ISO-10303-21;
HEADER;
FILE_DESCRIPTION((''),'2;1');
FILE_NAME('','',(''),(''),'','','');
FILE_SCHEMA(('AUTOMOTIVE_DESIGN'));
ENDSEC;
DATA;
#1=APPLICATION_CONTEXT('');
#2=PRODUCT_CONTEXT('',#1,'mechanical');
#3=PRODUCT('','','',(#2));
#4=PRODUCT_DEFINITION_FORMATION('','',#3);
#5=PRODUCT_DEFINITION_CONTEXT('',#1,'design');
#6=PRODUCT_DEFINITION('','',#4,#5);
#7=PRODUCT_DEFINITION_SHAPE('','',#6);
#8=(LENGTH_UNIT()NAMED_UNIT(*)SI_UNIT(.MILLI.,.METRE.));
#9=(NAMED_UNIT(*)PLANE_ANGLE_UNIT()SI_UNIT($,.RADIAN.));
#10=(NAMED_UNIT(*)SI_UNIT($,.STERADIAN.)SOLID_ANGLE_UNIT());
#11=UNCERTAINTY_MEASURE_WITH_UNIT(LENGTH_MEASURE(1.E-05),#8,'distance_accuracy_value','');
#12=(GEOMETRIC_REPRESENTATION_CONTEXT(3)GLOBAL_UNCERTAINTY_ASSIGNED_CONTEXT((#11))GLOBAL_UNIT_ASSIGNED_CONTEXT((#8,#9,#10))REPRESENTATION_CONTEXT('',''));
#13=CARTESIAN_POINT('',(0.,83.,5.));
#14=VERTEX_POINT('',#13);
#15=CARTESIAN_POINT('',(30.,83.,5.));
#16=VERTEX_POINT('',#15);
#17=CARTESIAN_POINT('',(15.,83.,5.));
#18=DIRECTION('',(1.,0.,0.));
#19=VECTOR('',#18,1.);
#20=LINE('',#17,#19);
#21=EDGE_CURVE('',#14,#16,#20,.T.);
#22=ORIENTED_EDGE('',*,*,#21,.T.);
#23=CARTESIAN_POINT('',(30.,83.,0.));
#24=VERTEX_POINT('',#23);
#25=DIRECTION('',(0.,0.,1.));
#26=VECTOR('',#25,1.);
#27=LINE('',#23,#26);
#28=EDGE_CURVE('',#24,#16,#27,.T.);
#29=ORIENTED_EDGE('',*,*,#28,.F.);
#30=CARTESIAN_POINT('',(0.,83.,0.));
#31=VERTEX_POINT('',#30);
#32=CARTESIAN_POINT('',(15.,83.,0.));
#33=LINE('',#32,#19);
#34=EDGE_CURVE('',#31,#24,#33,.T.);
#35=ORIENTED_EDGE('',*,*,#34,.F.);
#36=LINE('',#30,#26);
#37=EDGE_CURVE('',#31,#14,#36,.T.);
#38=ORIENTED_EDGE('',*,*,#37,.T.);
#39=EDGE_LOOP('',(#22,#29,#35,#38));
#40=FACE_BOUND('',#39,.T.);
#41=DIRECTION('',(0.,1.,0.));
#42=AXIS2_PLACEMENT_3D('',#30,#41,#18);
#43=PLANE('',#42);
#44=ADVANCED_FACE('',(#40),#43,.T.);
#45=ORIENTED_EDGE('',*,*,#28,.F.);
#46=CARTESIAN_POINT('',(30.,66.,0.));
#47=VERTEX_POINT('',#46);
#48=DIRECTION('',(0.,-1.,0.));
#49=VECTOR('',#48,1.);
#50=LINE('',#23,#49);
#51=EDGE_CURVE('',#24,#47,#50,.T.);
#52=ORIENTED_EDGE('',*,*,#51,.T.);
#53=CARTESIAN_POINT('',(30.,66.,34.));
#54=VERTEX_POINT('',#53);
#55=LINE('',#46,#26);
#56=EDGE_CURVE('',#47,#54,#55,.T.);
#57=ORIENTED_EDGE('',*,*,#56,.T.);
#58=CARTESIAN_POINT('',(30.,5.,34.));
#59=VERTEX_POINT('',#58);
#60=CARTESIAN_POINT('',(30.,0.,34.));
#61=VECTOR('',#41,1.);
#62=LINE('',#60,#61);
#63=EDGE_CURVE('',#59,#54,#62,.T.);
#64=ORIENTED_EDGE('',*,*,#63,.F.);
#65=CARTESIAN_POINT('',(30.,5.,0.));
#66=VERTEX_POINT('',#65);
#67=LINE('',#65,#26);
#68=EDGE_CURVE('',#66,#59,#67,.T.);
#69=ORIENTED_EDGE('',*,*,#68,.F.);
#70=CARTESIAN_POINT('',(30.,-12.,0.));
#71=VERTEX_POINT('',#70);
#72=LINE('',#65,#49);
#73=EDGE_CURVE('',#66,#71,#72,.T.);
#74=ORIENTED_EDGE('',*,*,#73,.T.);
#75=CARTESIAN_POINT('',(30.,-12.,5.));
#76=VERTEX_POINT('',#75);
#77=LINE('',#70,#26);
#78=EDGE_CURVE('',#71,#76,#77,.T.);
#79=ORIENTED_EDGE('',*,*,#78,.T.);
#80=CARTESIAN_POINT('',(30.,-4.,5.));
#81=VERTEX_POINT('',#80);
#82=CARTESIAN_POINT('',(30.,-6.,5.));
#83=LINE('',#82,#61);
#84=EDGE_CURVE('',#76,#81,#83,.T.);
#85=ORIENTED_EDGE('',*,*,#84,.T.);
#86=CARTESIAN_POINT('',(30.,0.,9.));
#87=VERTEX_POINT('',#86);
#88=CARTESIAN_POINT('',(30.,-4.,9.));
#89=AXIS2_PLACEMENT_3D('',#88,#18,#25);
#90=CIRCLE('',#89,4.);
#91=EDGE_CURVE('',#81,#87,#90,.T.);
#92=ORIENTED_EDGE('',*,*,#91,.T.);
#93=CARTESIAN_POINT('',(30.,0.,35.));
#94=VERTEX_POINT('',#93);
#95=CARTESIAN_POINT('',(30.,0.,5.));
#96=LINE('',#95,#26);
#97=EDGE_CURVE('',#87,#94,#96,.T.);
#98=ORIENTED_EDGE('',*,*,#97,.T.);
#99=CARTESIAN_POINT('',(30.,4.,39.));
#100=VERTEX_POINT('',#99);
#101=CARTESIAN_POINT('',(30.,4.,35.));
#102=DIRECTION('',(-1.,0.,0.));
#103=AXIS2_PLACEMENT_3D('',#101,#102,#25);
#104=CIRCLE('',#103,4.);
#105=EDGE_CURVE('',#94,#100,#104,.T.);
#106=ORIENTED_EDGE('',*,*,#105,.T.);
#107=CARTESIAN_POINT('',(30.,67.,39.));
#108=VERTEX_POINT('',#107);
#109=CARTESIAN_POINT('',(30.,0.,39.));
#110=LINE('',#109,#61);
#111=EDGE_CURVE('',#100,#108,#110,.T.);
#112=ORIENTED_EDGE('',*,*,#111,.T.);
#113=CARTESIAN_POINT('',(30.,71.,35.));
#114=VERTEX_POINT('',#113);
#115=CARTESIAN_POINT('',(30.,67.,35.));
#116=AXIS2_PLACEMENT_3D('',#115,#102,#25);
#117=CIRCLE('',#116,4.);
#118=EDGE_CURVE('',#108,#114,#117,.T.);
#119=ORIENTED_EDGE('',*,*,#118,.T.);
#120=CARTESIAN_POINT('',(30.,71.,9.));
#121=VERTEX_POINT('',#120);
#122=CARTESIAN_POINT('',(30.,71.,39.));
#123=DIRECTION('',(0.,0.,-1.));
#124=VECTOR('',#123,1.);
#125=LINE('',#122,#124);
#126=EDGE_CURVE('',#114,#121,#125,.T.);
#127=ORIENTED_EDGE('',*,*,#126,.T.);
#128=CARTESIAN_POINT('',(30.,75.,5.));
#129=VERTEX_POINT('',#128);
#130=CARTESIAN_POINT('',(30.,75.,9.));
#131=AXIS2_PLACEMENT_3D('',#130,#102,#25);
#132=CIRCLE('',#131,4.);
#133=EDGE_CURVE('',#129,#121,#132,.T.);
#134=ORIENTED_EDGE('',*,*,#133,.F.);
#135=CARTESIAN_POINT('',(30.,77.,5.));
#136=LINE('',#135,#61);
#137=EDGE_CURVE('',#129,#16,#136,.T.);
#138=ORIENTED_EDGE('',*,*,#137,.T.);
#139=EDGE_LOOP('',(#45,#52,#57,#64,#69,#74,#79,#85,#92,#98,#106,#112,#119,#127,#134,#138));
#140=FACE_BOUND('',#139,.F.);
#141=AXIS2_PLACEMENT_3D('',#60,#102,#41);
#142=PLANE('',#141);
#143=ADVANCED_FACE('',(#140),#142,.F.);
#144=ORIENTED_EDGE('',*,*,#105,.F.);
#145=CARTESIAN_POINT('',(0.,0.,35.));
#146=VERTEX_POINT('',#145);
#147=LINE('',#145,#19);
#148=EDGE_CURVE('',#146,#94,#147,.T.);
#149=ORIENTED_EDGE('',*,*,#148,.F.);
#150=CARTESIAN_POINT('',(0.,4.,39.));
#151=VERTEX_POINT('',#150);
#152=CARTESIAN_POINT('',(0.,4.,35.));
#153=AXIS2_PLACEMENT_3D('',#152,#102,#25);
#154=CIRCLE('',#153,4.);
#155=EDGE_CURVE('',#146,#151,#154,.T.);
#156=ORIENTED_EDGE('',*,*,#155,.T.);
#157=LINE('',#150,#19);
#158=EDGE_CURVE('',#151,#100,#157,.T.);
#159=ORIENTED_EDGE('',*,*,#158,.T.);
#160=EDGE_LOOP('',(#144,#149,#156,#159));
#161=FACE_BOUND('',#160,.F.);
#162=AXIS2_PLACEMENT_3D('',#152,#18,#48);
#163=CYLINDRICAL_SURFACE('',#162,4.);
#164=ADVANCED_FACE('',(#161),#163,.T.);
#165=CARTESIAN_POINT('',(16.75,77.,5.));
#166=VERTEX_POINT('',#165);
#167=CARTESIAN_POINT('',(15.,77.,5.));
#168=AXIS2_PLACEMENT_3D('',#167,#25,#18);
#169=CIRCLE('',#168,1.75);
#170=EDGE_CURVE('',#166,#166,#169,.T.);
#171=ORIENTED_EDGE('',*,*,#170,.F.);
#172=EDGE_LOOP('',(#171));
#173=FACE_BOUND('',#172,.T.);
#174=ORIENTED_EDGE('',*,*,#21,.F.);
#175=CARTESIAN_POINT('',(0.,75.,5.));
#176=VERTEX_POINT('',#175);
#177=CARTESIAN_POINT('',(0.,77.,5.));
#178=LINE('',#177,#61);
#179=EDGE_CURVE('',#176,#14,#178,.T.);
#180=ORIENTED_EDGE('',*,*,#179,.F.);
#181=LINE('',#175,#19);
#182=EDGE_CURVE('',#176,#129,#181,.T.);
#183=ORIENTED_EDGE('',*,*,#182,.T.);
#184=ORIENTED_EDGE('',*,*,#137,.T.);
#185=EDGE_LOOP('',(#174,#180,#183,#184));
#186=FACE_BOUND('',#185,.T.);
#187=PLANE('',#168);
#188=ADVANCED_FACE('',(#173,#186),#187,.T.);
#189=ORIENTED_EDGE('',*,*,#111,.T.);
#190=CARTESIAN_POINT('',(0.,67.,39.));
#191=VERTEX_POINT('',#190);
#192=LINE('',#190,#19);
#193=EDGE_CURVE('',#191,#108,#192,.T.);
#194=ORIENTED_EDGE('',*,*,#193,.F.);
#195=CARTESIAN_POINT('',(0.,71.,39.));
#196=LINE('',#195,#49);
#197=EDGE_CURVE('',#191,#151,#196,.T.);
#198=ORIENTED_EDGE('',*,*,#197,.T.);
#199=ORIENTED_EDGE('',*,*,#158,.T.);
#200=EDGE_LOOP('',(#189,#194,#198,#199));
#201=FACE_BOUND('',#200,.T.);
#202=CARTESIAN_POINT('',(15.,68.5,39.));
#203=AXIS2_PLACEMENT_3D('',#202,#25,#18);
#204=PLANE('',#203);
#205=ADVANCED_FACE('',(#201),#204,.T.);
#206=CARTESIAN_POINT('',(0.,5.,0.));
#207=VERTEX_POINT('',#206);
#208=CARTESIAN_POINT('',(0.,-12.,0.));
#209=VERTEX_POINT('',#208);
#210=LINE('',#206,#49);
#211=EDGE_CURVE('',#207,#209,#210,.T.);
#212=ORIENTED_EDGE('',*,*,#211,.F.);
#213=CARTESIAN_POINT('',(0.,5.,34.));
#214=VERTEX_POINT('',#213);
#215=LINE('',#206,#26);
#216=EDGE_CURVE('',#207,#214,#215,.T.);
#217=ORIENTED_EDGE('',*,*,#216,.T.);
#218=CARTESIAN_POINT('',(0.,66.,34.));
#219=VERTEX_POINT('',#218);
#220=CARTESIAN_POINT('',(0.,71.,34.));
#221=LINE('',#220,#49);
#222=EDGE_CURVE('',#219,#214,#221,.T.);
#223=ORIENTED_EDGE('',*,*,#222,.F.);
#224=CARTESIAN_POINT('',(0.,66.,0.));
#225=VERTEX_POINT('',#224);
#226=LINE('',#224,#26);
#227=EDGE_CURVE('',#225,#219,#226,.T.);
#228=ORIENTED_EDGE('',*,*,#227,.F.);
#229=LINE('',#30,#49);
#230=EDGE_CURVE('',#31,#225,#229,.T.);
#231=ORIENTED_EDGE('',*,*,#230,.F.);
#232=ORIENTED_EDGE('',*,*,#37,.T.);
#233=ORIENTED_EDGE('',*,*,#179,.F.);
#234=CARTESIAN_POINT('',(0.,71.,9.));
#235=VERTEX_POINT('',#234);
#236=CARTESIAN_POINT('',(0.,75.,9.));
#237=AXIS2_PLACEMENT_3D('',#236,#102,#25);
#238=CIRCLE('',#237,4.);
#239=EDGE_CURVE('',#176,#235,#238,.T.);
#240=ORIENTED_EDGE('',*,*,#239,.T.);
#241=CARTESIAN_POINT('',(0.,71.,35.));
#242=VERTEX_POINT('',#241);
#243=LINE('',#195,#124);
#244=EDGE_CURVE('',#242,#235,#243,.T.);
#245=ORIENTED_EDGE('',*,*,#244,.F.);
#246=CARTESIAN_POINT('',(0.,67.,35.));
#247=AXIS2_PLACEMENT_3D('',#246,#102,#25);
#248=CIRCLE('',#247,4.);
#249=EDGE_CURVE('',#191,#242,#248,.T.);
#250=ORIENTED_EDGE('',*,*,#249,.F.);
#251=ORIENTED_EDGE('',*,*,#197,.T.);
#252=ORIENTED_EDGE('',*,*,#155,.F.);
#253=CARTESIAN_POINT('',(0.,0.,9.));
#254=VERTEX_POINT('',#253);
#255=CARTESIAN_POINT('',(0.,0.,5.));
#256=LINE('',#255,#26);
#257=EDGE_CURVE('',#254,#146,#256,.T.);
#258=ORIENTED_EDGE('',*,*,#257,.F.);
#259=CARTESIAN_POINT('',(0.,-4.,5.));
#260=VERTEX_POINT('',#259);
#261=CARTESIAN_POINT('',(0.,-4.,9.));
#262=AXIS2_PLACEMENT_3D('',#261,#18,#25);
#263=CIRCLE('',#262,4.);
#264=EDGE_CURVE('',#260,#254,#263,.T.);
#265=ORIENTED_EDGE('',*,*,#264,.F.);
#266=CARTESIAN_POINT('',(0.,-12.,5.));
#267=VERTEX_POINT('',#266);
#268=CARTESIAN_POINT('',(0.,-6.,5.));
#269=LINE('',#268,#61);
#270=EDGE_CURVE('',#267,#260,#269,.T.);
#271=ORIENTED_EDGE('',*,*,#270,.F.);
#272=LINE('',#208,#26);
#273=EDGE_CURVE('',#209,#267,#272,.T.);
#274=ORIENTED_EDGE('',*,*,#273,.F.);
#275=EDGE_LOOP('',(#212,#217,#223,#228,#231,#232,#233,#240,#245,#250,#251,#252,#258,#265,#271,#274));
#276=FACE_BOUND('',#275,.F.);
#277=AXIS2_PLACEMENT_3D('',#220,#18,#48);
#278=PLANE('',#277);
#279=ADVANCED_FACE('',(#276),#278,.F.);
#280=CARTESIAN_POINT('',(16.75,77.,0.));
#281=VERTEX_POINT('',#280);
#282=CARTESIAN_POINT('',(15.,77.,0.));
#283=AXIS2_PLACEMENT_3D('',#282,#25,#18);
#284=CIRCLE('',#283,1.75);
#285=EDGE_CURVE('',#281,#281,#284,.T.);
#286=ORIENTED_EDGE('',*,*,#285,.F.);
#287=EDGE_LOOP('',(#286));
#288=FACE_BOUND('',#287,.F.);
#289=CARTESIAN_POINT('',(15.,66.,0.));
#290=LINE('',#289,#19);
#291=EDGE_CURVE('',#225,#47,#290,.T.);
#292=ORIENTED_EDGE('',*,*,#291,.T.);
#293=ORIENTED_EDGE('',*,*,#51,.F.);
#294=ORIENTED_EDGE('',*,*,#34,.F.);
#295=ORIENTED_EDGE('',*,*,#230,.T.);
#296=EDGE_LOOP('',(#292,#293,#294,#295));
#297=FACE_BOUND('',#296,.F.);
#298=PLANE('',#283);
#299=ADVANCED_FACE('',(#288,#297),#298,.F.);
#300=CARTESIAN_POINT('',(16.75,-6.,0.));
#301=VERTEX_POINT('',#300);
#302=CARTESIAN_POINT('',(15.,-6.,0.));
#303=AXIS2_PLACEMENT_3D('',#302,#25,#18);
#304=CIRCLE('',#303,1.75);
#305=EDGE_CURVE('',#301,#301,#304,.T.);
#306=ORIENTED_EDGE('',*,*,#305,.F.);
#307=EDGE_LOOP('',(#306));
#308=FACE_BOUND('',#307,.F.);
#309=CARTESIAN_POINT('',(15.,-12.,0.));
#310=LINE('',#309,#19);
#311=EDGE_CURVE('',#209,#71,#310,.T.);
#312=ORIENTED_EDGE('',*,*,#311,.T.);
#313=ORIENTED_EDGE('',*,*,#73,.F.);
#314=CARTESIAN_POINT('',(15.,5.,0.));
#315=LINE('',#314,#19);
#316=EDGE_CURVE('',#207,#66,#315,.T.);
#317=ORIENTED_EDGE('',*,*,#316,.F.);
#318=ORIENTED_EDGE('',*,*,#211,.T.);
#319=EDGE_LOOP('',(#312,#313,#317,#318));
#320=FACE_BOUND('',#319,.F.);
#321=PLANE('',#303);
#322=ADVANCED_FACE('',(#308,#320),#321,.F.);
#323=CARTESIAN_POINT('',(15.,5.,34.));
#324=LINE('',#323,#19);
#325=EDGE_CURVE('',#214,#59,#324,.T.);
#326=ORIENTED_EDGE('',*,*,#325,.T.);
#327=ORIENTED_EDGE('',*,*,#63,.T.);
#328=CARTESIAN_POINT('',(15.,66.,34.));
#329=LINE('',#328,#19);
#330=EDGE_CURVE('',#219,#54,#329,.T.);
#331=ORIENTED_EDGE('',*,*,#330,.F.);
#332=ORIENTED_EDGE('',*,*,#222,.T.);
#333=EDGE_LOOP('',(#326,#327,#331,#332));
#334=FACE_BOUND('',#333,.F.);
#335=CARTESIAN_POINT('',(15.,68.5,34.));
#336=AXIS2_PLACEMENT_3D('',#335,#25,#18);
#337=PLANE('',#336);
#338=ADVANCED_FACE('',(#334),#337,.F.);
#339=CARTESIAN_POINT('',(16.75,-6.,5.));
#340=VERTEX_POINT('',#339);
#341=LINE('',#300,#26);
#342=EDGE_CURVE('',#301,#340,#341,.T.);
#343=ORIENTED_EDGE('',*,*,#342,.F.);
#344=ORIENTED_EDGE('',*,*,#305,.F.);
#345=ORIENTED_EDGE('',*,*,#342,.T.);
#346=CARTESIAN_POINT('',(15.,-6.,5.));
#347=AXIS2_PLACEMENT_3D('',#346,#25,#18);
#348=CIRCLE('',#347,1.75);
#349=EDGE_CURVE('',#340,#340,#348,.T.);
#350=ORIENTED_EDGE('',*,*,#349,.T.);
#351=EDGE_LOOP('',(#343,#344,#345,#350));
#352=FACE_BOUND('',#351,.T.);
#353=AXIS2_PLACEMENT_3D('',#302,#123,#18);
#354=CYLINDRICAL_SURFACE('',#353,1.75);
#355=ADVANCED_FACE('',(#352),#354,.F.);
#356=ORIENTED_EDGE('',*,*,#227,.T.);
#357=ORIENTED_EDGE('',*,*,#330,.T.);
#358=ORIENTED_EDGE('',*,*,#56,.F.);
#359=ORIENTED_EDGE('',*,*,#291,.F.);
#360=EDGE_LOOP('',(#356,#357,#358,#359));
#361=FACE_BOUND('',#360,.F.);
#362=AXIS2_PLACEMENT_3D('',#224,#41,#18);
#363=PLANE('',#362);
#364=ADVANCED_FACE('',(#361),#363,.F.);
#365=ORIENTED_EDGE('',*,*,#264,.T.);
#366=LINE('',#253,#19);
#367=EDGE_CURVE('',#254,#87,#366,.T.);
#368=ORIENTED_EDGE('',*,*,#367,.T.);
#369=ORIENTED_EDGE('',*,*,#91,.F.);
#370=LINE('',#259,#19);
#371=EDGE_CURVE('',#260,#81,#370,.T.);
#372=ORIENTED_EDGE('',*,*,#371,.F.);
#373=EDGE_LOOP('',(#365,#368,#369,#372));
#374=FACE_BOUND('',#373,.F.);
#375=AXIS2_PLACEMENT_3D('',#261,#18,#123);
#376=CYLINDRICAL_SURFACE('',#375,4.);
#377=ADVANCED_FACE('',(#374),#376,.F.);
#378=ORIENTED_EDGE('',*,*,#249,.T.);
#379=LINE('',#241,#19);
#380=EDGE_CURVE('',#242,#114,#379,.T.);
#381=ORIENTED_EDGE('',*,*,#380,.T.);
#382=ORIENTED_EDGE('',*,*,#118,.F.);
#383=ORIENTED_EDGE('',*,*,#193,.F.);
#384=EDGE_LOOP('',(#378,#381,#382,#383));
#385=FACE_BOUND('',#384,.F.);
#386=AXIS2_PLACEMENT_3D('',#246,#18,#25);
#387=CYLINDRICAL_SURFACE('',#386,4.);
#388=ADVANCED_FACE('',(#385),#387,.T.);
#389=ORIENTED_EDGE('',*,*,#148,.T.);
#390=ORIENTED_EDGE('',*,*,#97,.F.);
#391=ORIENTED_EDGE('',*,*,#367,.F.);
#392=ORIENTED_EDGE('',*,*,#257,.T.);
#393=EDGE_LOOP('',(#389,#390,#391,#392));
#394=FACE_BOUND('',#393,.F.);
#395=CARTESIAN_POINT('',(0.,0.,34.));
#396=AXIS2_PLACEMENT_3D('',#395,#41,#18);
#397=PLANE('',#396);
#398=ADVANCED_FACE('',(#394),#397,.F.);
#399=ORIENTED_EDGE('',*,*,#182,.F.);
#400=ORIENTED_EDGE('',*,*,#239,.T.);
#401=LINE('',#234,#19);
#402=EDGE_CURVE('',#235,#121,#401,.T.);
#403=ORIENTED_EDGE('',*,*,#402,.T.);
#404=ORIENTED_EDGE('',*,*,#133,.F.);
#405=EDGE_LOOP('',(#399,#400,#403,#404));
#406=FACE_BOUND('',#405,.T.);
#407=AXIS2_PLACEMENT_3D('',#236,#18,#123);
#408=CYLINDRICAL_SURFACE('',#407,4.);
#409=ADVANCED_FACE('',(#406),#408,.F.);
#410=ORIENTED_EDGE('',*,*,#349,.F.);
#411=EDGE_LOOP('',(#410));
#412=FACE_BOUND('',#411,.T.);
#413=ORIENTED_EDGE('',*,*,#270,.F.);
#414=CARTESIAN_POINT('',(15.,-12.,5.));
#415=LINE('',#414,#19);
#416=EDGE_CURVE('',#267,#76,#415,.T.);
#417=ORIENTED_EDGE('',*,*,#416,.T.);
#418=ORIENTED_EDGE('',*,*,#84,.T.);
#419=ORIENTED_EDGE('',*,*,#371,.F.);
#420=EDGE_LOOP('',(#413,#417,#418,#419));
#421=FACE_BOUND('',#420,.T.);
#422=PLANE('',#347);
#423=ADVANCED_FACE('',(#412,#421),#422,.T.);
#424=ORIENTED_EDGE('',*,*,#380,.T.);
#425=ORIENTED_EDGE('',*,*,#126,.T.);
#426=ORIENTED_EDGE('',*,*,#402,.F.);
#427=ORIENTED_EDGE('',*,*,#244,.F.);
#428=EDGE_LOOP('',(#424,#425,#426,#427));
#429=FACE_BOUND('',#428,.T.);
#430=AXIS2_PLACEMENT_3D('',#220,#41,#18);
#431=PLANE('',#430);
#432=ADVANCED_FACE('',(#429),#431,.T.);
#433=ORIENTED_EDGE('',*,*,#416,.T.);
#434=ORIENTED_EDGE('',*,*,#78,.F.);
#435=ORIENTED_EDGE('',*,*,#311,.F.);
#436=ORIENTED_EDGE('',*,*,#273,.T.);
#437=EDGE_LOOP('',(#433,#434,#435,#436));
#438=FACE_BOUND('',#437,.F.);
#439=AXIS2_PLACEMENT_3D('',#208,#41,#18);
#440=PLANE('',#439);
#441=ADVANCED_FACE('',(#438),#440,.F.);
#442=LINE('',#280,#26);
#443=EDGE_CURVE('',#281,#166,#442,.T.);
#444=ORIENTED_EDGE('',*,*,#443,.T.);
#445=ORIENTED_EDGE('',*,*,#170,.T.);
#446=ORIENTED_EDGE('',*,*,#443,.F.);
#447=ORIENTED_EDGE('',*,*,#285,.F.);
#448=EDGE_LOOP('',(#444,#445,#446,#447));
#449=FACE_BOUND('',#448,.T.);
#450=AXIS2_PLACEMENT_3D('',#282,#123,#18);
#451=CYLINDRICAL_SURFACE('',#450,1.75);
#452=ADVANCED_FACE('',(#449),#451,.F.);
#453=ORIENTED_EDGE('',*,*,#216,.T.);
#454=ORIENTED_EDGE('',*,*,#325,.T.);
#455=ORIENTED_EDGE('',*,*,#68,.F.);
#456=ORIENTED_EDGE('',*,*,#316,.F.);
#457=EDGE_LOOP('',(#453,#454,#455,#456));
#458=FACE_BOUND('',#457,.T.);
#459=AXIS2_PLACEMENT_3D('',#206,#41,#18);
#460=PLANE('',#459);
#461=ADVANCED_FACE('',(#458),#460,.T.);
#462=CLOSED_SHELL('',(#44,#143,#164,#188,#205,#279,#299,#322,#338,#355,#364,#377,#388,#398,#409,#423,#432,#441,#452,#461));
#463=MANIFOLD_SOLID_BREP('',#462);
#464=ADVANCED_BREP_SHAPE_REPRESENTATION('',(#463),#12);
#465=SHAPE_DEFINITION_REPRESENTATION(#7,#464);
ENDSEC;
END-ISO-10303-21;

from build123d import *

# Parameters (mm, degrees)
F0_W     = 30
F0_H     = 5
F1_DEPTH = 34
F0_H_2   = 12
F0_R     = 1.75
F2_DEPTH = 5
F3_W     = 30
F3_H     = 5
F3_H_2   = 66
F4_DEPTH = 5
F5_R     = 4


with BuildPart() as f1:
    # F0 (on Top) → F1 (new body)
    with BuildSketch(Plane.XY):
        with Locations((15, 68.5)):
            Rectangle(F0_W, F0_H)
    extrude(amount=F1_DEPTH)

    # F0 (on Top) → F2 (join)
    with BuildSketch(Plane.XY):
        with Locations((15, 77)):
            Rectangle(F0_W, F0_H_2)
        with Locations((15, 77)):
            Circle(F0_R, mode=Mode.SUBTRACT)
    extrude(amount=F2_DEPTH)



with BuildPart() as f1b:
    # F0 (on Top) → F1, piece 2 (new body)
    with BuildSketch(Plane.XY):
        with Locations((15, 2.5)):
            Rectangle(F0_W, F0_H)
    extrude(amount=F1_DEPTH)

    # F0 (on Top) → F2, piece 2 (join)
    with BuildSketch(Plane.XY):
        with Locations((15, -6)):
            Rectangle(F0_W, F0_H_2)
        with Locations((15, -6)):
            Circle(F0_R, mode=Mode.SUBTRACT)
    extrude(amount=F2_DEPTH)


with BuildPart() as f1_1:
    add(f1.part)

    add(f1b.part)  # F4 merges F1b
    # F3 (on face) → F4 (join)
    with BuildSketch(Plane.XY.offset(34)):
        with Locations((15, 68.5)):
            Rectangle(F3_W, F3_H)
        with Locations((15, 33)):
            Rectangle(F3_W, F3_H_2)
    extrude(amount=F4_DEPTH)

    # F5
    f5_edges = [f1_1.edges().sort_by_distance(p)[0] for p in [
        (15, 0, 5),
        (15, 0, 39),
        (15, 71, 39),
        (15, 71, 5),
    ]]
    fillet(f5_edges, radius=F5_R)


solid = f1_1.part
